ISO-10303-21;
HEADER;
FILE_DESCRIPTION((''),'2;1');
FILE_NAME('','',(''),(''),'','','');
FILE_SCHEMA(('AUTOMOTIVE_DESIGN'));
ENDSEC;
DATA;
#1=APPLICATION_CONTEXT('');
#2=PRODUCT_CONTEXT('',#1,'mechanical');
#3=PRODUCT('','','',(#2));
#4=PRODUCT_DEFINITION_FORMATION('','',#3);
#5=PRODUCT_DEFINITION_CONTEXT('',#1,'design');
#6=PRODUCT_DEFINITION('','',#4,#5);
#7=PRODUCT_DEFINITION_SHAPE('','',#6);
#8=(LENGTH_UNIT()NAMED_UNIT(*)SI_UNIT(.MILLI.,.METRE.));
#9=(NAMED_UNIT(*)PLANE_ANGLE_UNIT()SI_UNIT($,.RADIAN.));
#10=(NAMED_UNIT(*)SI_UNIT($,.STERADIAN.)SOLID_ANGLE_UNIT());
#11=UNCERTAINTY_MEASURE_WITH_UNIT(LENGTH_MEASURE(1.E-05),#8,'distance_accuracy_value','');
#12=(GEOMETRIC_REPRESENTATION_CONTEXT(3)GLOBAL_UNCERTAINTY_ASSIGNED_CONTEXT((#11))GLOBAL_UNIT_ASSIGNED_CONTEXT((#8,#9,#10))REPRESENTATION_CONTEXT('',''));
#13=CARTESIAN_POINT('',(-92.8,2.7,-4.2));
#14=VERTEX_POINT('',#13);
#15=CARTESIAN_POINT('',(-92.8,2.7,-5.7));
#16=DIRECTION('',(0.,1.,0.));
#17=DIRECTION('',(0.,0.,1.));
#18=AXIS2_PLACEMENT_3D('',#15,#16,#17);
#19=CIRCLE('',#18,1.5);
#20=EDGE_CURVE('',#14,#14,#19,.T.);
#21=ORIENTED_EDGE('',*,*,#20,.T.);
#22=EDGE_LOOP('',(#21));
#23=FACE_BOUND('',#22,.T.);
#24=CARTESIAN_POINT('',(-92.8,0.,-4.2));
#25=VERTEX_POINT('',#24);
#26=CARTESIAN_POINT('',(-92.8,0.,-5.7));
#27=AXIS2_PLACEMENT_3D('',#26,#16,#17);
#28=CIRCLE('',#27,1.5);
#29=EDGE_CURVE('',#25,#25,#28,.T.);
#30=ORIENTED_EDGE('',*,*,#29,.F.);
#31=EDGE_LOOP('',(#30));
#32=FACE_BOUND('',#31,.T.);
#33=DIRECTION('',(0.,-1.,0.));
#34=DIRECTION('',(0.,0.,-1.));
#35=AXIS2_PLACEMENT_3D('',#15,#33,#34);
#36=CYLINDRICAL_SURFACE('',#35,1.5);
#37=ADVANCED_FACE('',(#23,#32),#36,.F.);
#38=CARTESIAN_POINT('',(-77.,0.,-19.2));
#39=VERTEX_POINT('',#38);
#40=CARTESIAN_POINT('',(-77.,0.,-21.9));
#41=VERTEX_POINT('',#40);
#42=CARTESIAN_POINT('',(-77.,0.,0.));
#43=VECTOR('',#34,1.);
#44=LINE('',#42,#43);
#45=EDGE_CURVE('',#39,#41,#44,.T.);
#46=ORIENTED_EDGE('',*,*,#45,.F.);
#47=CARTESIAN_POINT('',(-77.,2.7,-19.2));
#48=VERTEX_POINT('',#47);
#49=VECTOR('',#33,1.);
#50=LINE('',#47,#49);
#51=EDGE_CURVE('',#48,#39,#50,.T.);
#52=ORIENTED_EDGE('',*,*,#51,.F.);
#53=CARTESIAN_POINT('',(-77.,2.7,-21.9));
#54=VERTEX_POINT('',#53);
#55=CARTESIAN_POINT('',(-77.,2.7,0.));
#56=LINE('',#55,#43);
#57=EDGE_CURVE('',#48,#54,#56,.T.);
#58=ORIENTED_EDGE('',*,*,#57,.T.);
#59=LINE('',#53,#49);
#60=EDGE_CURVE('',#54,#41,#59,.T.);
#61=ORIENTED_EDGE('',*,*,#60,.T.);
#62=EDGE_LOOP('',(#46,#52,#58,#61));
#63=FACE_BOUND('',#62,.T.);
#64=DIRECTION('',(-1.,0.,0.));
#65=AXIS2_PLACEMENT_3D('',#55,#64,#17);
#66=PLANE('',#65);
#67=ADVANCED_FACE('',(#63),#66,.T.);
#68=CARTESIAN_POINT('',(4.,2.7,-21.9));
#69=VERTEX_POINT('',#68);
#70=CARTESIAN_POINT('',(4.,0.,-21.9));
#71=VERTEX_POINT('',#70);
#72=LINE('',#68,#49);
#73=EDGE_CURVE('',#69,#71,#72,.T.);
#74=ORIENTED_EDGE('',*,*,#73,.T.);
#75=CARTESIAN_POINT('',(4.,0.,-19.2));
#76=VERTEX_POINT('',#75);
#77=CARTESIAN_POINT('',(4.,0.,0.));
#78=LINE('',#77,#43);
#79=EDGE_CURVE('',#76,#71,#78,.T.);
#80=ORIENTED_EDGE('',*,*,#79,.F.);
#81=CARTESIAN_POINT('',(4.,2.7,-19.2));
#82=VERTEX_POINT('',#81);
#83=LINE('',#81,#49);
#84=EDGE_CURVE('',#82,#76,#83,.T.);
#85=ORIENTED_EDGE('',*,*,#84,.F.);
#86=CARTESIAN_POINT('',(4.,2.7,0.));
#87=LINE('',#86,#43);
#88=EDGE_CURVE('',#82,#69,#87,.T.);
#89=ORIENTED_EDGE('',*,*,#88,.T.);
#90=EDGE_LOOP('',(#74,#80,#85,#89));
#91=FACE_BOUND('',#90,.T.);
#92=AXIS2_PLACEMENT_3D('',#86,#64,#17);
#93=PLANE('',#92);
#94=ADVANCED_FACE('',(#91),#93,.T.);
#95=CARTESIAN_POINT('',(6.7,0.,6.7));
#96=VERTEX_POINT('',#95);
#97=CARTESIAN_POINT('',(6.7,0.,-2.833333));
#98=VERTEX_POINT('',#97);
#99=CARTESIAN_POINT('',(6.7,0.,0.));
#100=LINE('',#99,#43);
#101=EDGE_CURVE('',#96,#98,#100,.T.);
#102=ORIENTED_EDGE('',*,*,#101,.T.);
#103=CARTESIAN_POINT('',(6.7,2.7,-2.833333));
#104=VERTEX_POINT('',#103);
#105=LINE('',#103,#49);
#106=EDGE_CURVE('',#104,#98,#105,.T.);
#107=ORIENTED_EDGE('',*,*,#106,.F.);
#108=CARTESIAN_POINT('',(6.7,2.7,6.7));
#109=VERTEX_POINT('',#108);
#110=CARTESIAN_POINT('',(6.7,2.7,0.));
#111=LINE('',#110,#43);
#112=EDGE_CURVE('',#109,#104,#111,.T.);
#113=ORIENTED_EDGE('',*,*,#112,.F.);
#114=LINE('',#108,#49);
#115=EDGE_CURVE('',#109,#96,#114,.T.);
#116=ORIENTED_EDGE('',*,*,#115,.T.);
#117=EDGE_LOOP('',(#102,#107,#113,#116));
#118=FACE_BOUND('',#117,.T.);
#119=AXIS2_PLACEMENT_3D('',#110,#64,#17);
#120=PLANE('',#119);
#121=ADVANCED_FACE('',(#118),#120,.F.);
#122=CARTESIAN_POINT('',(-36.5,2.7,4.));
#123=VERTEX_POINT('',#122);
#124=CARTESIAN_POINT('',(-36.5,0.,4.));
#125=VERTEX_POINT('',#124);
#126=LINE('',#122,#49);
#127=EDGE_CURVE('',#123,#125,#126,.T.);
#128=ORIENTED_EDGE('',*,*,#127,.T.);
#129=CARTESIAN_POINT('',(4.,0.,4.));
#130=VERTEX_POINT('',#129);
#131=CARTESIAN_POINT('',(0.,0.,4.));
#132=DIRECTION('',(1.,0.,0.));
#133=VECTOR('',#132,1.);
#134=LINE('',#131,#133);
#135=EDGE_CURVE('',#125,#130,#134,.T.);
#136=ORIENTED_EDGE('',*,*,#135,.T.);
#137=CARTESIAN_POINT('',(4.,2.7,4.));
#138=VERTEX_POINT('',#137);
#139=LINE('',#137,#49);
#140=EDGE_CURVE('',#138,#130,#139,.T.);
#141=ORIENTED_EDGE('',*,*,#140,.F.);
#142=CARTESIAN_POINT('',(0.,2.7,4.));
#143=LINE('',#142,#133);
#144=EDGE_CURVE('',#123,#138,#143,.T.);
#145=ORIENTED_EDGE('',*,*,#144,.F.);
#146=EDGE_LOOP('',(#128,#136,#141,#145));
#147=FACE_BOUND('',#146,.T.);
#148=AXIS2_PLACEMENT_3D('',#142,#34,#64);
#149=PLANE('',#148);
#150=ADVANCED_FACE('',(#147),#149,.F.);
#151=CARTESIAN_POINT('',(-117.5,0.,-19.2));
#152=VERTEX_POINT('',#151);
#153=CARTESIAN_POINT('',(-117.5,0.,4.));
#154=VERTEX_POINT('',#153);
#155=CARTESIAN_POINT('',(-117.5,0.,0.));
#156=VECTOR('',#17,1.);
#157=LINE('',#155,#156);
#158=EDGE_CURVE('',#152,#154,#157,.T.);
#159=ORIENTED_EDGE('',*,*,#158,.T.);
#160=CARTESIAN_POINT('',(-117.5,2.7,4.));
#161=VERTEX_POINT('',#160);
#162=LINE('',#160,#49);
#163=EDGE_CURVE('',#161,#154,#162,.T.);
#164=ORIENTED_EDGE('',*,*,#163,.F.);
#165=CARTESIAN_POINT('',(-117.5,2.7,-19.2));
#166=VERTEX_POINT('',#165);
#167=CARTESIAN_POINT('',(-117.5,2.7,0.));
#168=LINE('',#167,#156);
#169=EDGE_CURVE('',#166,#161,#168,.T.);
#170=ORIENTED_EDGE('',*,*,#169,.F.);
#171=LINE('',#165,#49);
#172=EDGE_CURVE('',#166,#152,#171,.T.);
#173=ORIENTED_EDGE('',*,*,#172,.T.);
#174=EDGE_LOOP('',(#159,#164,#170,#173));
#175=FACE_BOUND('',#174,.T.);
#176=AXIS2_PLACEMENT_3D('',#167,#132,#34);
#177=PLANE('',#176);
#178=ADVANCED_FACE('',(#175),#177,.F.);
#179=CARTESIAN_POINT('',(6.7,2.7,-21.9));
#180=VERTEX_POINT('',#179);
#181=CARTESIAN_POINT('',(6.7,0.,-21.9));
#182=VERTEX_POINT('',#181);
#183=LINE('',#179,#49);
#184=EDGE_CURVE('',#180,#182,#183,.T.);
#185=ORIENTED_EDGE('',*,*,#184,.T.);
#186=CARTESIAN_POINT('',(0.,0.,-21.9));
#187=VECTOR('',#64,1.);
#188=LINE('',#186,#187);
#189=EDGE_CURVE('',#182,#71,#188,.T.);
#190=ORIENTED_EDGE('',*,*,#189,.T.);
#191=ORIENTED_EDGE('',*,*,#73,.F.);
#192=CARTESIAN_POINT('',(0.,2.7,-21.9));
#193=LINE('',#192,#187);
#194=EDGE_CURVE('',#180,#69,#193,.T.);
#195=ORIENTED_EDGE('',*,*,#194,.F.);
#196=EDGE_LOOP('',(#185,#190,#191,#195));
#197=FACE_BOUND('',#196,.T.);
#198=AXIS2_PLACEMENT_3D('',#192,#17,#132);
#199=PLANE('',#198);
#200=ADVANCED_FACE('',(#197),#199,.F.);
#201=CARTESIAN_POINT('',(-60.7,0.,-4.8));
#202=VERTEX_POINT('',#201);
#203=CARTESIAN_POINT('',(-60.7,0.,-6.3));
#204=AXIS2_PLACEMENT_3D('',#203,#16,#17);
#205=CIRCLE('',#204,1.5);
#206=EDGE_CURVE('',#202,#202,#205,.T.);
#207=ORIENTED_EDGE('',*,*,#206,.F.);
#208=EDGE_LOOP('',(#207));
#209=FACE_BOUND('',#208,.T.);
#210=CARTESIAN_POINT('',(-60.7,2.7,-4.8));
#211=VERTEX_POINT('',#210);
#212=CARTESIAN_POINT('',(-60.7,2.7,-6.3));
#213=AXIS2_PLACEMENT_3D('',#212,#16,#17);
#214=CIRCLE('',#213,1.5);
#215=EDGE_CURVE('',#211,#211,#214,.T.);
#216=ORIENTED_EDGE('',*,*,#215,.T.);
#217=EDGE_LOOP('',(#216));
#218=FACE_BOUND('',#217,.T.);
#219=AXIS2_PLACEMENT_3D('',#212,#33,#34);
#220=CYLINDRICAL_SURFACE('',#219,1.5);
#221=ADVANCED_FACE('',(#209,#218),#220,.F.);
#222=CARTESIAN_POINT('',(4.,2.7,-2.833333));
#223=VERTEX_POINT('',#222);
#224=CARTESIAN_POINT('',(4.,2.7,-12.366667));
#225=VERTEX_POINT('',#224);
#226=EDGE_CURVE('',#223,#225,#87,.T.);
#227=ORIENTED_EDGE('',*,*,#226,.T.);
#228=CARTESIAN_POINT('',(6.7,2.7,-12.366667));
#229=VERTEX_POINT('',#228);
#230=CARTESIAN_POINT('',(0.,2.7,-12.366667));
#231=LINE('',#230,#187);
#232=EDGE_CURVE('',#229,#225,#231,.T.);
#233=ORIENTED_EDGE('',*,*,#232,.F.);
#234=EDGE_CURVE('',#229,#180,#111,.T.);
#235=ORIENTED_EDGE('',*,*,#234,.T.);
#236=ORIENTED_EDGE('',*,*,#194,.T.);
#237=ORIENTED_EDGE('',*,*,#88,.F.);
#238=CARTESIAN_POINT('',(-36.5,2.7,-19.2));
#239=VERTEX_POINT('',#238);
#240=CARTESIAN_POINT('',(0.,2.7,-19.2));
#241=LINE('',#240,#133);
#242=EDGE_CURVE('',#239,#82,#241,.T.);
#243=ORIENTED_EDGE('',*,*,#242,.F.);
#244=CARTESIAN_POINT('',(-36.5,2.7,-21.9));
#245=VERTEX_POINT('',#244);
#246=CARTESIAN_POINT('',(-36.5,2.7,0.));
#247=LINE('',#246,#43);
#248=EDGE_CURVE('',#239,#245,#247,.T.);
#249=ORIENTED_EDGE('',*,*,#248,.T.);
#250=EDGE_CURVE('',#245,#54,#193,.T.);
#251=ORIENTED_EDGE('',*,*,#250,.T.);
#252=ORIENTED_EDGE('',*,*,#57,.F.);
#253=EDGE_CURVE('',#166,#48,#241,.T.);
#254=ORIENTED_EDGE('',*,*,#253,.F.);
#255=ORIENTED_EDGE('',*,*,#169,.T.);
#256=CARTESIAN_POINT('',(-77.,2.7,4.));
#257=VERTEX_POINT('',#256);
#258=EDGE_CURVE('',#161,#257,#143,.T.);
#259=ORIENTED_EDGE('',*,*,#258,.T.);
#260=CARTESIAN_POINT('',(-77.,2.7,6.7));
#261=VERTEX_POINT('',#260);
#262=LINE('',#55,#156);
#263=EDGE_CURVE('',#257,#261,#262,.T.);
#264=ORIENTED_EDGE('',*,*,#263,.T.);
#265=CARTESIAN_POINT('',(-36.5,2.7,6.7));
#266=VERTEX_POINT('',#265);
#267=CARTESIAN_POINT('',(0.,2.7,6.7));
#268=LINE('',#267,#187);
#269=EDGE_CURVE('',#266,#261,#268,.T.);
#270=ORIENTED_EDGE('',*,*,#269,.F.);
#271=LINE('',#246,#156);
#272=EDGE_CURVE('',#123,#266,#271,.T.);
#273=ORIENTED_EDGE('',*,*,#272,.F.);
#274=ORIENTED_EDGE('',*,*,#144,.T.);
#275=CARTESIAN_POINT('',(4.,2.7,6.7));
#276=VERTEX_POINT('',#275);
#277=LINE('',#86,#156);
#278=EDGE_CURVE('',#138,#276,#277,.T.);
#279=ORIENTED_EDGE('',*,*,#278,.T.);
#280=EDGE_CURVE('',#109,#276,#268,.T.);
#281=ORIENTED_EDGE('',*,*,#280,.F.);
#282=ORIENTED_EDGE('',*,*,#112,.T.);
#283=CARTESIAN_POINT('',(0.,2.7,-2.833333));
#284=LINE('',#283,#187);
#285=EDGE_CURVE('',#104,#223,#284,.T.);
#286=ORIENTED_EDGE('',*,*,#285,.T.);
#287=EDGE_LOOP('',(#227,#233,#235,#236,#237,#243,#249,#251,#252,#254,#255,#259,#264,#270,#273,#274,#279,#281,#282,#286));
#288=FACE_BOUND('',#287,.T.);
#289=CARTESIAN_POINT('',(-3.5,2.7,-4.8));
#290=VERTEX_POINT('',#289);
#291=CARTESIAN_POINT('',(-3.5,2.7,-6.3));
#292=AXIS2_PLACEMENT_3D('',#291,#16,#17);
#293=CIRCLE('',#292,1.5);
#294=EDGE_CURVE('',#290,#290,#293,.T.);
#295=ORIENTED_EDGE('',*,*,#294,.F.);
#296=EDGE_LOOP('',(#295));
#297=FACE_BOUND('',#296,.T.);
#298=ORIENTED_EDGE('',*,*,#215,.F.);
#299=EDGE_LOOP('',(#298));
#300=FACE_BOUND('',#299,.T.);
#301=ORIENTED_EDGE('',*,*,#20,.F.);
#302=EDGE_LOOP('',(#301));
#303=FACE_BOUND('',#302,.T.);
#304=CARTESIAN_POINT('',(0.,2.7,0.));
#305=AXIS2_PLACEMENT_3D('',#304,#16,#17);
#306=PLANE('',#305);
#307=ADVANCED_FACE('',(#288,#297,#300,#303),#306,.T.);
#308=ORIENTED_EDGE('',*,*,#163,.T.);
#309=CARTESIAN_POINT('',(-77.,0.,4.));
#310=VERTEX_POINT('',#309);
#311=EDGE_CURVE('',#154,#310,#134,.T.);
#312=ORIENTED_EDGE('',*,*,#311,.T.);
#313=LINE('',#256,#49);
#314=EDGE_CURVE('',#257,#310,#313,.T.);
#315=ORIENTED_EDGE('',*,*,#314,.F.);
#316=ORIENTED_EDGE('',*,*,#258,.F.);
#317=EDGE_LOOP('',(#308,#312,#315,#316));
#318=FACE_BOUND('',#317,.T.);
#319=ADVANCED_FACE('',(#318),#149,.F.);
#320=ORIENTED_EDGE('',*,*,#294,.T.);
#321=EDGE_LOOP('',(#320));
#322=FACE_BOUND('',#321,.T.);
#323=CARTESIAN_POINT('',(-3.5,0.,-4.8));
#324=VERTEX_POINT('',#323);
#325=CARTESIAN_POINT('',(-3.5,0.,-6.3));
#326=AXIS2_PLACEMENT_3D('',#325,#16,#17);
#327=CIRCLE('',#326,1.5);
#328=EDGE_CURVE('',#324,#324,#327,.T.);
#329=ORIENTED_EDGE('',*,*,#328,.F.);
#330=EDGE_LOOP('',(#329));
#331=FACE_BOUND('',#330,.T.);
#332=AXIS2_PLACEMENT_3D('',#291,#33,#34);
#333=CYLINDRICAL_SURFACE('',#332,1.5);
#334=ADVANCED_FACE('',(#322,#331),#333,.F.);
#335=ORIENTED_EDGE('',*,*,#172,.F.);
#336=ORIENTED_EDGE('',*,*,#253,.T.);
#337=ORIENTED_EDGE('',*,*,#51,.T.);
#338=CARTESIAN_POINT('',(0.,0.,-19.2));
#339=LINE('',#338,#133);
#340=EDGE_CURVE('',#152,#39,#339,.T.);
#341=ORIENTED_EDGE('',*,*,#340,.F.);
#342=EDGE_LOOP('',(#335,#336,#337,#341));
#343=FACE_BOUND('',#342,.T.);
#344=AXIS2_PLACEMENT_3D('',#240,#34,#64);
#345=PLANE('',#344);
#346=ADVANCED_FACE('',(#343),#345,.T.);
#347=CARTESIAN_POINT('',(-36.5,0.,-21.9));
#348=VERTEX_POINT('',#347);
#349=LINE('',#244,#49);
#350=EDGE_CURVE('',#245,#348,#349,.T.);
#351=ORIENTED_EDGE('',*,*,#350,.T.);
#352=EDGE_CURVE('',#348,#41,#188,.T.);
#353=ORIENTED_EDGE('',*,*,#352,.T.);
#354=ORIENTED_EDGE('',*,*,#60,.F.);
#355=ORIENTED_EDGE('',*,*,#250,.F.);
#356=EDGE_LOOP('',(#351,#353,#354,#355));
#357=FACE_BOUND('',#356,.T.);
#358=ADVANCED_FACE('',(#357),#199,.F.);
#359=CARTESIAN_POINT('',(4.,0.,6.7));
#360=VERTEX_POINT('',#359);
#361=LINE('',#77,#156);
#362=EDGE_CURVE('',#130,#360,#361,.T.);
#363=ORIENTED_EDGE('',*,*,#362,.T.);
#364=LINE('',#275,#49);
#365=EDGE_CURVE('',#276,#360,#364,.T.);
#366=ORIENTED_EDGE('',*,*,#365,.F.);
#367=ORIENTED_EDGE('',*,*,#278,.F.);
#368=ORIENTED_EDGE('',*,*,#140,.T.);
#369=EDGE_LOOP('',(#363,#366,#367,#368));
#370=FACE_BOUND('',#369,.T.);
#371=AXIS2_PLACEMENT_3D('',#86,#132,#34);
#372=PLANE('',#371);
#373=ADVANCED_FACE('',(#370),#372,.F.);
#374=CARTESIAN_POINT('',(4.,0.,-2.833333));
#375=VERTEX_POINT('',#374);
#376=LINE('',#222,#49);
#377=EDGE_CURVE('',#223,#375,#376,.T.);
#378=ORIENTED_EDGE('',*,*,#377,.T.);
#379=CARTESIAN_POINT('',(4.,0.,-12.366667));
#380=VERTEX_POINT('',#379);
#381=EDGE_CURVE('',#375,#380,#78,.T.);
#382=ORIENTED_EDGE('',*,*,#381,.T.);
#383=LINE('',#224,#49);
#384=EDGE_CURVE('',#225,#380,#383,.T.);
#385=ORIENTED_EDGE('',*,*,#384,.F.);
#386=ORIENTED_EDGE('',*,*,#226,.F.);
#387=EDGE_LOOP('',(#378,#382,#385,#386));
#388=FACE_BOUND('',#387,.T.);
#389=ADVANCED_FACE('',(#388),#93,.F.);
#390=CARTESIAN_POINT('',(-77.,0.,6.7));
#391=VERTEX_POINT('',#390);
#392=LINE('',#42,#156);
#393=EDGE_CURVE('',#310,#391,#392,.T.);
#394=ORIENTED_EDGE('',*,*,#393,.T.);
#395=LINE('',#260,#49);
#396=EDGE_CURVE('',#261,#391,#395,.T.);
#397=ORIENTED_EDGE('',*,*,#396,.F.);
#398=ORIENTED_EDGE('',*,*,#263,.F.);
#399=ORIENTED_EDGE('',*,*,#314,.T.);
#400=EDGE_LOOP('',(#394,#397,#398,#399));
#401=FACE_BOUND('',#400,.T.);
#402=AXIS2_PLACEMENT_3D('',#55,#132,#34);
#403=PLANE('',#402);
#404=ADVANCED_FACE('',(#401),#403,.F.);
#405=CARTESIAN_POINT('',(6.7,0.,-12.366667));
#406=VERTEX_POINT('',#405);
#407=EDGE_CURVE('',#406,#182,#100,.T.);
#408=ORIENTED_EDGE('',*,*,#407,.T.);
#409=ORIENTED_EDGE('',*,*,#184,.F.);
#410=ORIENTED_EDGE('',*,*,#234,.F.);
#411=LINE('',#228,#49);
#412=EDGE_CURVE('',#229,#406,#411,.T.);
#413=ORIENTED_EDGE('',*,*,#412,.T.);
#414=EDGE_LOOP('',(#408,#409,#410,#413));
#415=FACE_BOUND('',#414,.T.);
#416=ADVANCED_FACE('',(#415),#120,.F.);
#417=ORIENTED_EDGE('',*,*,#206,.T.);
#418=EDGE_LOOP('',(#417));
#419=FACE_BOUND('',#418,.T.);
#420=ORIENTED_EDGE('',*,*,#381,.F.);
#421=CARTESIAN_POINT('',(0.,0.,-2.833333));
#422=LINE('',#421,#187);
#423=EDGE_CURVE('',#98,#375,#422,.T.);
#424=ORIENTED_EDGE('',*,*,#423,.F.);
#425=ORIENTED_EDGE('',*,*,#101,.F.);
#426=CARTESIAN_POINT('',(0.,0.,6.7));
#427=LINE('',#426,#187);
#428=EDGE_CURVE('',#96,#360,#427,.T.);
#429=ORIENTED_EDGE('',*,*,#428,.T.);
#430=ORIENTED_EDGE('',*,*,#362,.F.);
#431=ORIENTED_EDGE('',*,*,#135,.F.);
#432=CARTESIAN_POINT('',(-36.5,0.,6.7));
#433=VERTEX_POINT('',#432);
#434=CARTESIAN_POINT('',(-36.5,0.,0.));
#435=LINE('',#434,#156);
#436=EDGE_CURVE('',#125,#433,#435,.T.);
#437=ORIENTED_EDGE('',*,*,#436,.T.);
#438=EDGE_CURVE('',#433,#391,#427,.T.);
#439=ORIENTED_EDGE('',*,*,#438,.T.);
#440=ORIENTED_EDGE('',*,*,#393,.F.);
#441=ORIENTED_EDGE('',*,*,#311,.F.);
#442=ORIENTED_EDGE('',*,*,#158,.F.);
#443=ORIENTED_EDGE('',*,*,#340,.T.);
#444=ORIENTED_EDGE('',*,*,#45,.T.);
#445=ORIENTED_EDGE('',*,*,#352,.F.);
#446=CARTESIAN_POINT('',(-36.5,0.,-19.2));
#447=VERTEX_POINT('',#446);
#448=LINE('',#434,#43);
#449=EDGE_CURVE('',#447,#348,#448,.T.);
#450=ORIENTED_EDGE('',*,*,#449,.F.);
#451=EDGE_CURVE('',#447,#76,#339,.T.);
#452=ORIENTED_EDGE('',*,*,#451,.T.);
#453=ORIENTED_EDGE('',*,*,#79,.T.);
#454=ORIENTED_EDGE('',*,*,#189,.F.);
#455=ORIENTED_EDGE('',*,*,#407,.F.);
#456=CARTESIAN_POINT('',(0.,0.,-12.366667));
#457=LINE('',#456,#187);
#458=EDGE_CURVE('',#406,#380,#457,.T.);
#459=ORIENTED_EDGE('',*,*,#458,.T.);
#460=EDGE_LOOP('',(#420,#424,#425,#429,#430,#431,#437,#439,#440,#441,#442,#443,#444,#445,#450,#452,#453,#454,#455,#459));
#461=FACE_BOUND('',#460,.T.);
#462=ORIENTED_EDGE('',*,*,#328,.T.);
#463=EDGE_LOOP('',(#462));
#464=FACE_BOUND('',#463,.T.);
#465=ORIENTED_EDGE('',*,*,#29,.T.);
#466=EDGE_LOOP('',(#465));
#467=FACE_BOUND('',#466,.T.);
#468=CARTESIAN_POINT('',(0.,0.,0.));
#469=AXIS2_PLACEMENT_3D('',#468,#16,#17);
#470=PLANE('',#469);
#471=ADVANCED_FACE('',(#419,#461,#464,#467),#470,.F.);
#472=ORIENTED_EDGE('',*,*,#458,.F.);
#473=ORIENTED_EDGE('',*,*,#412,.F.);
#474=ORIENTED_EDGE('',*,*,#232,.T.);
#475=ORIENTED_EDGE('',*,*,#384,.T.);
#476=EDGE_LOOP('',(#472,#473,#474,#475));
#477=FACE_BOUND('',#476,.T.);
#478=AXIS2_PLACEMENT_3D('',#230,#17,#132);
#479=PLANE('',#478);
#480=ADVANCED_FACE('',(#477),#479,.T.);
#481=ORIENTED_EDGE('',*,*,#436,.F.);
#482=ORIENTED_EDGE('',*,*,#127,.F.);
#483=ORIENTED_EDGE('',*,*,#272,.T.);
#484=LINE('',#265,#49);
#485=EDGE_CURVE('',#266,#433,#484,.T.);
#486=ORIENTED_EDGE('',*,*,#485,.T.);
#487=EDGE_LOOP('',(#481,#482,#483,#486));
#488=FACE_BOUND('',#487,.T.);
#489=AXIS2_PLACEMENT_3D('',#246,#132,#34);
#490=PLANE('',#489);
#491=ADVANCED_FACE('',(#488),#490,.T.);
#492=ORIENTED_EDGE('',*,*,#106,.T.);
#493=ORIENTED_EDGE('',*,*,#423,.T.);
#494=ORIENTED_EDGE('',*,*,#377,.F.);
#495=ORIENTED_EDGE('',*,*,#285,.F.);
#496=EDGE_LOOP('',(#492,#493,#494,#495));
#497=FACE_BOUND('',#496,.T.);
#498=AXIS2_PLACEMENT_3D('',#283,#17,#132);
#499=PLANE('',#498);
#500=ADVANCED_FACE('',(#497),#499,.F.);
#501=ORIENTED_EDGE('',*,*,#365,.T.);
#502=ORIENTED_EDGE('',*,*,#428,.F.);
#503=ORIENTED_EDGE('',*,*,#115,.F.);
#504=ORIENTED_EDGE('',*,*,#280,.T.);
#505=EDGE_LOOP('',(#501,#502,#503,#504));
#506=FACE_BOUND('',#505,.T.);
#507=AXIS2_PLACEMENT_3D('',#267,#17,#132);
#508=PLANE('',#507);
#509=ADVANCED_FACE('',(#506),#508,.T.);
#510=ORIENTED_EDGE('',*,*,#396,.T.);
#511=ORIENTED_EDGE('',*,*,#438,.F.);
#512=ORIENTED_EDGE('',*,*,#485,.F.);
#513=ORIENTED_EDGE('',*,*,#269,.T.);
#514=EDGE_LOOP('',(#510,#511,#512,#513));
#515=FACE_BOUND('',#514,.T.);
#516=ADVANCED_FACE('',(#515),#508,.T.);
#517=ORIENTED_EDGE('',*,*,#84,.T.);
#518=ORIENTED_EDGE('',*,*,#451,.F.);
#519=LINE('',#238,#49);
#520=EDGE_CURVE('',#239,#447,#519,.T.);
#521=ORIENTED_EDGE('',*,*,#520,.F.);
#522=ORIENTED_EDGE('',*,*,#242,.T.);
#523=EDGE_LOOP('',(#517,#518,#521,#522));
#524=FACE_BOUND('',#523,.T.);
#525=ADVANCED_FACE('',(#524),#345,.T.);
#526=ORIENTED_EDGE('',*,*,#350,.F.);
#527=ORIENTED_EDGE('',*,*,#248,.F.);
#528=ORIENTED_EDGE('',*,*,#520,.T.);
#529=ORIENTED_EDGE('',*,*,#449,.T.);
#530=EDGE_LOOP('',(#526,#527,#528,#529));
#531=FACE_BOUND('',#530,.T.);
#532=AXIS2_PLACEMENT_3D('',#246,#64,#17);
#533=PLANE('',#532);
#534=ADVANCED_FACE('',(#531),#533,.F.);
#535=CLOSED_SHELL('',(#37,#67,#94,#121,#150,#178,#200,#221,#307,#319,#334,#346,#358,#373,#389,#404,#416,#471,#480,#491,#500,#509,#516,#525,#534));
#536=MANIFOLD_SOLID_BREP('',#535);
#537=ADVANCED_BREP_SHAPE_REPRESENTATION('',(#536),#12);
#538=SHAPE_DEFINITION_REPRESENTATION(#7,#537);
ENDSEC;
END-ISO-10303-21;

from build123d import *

# Parameters (mm, degrees)
SKETCH1_R           = 1.5
BOSS_EXTRUDE1_DEPTH = 2.7


with BuildPart() as part:
    # Sketch1 → Boss-Extrude1 (new body)
    with BuildSketch(Plane(origin=(0, 0, 0), x_dir=(1, 0, 0), z_dir=(0, 1, 0))):
        Polygon((4, 2.833333333), (4, 12.366666667), (6.7, 12.366666667), (6.7, 21.9), (4, 21.9), (4, 19.2), (-36.5, 19.2), (-36.5, 21.9), (-77, 21.9), (-77, 19.2), (-117.5, 19.2), (-117.5, 12.366666667), (-117.5, 2.833333333), (-117.5, -4), (-77, -4), (-77, -6.7), (-36.5, -6.7), (-36.5, -4), (4, -4), (4, -6.7), (6.7, -6.7), (6.7, 2.833333333), align=None)
        with Locations((-3.5, 6.3)):
            Circle(SKETCH1_R, mode=Mode.SUBTRACT)
        with Locations((-60.7, 6.3)):
            Circle(SKETCH1_R, mode=Mode.SUBTRACT)
        with Locations((-92.8, 5.7)):
            Circle(SKETCH1_R, mode=Mode.SUBTRACT)
    extrude(amount=BOSS_EXTRUDE1_DEPTH)


solid = part.part
